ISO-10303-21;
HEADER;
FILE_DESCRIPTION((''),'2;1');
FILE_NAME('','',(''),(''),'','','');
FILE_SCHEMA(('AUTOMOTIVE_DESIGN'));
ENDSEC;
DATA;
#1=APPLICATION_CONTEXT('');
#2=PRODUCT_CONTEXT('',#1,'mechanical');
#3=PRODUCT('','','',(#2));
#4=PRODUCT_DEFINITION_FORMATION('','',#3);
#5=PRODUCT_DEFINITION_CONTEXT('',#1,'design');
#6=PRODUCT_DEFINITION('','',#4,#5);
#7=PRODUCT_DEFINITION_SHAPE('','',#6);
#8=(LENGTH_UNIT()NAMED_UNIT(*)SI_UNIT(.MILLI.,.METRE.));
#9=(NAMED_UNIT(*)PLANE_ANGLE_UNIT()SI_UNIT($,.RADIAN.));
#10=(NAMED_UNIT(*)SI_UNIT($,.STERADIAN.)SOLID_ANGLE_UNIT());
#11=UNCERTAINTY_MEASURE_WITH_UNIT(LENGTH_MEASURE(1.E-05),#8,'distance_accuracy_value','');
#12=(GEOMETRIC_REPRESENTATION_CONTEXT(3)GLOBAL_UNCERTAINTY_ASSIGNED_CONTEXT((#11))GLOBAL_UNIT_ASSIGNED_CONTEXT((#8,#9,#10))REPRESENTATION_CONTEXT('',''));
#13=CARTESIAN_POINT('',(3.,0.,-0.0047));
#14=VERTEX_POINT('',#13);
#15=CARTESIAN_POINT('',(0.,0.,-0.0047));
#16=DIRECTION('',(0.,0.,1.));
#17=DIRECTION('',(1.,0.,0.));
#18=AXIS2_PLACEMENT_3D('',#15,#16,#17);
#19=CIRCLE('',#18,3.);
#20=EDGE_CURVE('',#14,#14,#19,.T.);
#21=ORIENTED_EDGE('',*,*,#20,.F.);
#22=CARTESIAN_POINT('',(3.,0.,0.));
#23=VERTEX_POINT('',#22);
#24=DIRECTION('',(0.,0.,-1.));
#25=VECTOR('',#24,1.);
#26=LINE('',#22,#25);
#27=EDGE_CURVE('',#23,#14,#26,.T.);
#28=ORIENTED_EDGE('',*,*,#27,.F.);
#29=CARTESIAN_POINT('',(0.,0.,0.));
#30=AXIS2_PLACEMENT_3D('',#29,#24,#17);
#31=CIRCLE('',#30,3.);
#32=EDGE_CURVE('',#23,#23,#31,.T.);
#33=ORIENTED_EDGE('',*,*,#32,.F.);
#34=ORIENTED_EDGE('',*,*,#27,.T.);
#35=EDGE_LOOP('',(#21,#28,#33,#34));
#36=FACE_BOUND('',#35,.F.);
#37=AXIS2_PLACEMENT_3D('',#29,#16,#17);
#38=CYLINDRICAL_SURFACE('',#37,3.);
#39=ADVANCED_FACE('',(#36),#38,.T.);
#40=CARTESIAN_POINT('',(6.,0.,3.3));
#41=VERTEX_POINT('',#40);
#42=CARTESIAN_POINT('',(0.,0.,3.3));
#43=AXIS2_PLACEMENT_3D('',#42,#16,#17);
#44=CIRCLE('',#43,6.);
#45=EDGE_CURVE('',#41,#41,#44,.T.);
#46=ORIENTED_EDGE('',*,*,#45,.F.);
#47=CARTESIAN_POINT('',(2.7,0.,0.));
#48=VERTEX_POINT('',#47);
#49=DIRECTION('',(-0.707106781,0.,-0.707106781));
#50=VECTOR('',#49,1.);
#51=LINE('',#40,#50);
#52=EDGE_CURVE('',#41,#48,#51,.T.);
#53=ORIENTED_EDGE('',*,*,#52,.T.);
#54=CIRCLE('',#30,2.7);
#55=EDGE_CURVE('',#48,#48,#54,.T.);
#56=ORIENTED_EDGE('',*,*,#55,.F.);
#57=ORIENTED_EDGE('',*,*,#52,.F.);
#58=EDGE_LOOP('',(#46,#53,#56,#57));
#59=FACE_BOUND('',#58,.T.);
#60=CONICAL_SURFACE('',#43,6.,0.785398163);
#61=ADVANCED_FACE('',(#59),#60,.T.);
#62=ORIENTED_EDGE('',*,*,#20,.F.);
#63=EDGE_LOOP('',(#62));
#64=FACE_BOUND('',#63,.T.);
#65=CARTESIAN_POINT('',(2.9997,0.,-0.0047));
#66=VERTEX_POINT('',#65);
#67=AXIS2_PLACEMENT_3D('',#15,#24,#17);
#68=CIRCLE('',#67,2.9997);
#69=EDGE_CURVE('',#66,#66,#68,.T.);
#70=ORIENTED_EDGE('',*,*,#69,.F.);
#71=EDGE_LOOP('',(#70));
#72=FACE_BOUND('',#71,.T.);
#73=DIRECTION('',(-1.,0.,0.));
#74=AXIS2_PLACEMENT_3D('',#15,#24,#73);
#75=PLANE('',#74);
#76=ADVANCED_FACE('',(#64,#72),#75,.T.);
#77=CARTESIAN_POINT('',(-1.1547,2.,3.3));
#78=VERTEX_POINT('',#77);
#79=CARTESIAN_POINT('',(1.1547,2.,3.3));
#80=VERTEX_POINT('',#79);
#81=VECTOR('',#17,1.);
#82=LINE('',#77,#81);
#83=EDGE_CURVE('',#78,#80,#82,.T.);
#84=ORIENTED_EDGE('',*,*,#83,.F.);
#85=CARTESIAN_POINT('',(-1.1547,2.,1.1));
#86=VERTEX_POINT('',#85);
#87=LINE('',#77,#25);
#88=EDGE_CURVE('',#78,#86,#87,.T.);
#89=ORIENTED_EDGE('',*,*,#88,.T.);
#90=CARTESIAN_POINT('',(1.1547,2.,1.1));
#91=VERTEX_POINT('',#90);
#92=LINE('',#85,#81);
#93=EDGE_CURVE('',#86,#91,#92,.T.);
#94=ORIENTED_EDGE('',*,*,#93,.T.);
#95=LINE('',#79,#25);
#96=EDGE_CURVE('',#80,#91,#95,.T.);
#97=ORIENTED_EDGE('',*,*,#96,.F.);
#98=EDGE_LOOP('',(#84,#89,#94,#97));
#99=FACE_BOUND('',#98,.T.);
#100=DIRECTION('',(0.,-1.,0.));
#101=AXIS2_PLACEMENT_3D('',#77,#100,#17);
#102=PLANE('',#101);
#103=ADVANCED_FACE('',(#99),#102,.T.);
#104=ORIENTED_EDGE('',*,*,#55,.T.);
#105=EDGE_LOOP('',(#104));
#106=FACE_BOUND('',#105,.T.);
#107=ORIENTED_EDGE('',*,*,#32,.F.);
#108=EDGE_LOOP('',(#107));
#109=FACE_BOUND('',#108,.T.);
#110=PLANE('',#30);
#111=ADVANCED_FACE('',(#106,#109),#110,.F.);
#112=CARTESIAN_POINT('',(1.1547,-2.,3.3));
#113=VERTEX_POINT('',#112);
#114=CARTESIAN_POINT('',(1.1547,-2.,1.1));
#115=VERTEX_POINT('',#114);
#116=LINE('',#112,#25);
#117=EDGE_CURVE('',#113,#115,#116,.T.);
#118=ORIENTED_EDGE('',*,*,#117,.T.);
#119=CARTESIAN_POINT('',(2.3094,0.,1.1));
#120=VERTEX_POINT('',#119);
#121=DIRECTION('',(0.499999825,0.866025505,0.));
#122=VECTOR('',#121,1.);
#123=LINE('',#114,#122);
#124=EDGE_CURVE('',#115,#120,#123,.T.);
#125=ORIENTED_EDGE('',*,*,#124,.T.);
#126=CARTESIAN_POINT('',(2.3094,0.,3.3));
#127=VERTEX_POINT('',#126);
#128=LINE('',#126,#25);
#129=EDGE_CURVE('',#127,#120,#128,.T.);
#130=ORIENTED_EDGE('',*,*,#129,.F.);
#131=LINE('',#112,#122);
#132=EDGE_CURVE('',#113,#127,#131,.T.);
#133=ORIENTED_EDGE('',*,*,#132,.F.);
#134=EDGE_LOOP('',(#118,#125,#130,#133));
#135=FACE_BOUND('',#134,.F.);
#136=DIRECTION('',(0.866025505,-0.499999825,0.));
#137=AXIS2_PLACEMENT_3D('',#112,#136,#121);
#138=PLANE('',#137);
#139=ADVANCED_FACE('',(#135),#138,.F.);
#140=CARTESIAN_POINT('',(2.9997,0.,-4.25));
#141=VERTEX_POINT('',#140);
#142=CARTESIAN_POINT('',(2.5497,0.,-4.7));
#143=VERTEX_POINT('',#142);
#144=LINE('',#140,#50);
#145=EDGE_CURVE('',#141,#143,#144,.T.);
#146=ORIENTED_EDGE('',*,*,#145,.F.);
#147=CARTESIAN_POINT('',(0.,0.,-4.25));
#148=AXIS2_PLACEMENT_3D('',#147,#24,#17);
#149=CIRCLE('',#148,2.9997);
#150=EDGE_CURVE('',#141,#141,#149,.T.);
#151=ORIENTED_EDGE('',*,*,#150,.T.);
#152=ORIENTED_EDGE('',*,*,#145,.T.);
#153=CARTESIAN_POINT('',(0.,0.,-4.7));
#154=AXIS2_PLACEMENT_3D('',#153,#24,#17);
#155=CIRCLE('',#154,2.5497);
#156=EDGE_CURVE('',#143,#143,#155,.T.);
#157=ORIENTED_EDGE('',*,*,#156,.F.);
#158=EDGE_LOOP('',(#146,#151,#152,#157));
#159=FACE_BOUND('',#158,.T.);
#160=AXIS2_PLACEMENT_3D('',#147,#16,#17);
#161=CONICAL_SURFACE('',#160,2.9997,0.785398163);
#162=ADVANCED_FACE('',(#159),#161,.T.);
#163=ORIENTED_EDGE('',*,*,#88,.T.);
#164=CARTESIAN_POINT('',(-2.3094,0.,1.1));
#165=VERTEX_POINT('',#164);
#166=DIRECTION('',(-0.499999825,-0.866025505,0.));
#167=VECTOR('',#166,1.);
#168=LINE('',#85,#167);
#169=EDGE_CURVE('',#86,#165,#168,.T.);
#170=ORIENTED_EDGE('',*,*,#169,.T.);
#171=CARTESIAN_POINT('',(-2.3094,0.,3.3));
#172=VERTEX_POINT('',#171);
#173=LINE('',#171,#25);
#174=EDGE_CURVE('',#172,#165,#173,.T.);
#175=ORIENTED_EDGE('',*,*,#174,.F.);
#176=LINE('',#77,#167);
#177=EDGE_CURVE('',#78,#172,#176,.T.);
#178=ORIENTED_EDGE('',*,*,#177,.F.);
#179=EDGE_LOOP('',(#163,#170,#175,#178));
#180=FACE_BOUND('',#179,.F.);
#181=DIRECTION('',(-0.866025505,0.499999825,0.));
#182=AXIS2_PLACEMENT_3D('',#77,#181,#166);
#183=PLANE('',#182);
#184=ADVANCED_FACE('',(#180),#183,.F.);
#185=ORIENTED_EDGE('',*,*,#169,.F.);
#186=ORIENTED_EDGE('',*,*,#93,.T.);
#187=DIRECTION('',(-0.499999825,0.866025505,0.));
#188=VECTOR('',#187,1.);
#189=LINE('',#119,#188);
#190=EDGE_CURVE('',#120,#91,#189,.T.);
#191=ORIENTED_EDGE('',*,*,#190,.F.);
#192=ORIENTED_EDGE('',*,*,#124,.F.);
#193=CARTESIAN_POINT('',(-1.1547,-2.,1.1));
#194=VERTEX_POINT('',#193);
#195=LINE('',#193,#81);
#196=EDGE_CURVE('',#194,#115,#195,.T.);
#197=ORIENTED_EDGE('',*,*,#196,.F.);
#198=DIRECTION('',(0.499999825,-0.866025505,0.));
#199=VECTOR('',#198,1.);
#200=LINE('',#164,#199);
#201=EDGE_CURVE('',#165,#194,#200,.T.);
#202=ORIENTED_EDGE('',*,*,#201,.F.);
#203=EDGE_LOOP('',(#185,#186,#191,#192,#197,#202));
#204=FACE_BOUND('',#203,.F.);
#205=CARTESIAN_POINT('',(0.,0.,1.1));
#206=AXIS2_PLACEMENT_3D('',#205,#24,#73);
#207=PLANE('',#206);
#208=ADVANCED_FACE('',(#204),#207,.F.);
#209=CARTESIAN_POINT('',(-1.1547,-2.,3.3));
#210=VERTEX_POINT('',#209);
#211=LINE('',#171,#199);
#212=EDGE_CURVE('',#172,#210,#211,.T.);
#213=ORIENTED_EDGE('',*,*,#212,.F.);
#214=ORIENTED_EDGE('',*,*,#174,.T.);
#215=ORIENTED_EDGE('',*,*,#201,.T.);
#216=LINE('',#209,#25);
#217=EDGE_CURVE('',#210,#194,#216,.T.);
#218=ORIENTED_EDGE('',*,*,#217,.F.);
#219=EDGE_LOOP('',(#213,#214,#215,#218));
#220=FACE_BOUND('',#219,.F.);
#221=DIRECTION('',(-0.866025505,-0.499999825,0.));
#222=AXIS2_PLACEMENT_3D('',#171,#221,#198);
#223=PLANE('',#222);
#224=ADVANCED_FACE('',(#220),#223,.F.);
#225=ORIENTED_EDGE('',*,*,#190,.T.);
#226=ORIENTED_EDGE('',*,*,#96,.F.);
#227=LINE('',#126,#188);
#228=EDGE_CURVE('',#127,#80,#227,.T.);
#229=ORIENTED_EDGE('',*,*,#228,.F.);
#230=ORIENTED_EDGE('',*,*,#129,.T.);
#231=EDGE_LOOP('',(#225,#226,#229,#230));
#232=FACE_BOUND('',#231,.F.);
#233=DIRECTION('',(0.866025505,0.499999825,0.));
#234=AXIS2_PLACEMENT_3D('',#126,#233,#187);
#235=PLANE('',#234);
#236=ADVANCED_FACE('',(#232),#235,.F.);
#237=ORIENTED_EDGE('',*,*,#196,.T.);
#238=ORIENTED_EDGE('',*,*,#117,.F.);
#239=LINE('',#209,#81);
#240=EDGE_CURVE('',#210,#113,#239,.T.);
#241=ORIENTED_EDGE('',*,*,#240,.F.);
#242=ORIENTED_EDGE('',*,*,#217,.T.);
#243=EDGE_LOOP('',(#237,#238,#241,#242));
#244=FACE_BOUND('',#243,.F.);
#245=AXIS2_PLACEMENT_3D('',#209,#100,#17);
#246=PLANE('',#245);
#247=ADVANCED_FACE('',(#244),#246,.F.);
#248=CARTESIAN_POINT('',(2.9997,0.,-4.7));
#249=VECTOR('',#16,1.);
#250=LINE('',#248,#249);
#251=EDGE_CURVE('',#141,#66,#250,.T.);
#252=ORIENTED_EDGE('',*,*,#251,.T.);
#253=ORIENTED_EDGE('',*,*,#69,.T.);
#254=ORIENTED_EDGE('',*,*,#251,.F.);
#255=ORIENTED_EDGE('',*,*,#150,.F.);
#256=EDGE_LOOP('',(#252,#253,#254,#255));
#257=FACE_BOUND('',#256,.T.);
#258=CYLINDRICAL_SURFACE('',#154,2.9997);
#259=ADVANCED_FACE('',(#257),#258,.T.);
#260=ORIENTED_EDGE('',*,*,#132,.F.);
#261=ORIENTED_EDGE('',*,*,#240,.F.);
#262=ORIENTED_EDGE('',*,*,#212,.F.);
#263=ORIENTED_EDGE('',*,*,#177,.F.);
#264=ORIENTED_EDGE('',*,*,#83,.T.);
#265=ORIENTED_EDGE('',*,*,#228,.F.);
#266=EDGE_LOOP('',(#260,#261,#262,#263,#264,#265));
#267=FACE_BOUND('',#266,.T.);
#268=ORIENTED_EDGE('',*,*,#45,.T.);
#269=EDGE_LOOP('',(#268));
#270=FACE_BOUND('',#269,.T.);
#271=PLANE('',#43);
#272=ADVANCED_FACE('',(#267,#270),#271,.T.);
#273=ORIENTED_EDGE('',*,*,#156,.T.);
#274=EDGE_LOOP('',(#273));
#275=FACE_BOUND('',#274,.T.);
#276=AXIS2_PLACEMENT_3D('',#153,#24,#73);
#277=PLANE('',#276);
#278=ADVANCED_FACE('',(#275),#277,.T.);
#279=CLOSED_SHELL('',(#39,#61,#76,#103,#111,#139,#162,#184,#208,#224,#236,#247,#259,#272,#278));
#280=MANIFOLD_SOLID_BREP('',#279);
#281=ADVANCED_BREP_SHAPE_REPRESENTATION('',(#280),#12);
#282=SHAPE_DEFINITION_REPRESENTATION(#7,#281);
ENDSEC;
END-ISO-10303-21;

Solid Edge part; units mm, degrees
sketch "Sketch1" plane through (0, 0, 0) normal (0, 0, 1) x (1, 0, 0)
  circle A0 centre (0, 0) radius 6
  dimension "D1" = 12
extrude "Protrusion1" add sketch "Sketch1" along normal blind 3.3
sketch "Sketch2" plane through (0, 0, 0) normal (0, 0, -1) x (1, 0, 0)
  circle A0 centre (0, 0) radius 3
extrude "Protrusion2" add sketch "Sketch2" along normal blind 4.7
sketch "Sketch3" plane through (0, 0, -4.7) normal (0, 0, -1) x (1, 0, 0)
  circle A0 centre (0, 0) radius 2.9997
extrude "Cutout1" cut sketch "Sketch3" against normal blind 4.6953 flip side to cut
chamfer "Chamfer_1" distance 0.45 angle 45 1 edges at (-2.9997, 0, -4.7)
sketch "Sketch4" plane through (0, 0, 3.3) normal (0, 0, 1) x (1, 0, 0)
  line L0 (-1.1547, 2) -> (1.1547, 2)
  line L1 (2.3094, 0) -> (1.1547, 2)
  line L2 (1.1547, -2) -> (2.3094, 0)
  line L3 (-1.1547, -2) -> (1.1547, -2)
  line L4 (-2.3094, 0) -> (-1.1547, -2)
  line L5 (-1.1547, 2) -> (-2.3094, 0)
  dimension "D1" = 4
extrude "Cutout2" cut sketch "Sketch4" against normal blind 2.2
sketch "Sketch5" plane through (0, 0, 0) normal (0, -1, 0) x (1, 0, 0)
  line L0 (6, 3.3) -> (2.7, 0)
  line L1 (2.7, 0) -> (6, 0)
  line L2 (6, 0) -> (6, 3.3)
revolve "RevolvedCutout1" cut sketch "Sketch5" angle 360 about axis through (0, 0, 14.0017) along (0, 0, -1)
properties part number "184707"
